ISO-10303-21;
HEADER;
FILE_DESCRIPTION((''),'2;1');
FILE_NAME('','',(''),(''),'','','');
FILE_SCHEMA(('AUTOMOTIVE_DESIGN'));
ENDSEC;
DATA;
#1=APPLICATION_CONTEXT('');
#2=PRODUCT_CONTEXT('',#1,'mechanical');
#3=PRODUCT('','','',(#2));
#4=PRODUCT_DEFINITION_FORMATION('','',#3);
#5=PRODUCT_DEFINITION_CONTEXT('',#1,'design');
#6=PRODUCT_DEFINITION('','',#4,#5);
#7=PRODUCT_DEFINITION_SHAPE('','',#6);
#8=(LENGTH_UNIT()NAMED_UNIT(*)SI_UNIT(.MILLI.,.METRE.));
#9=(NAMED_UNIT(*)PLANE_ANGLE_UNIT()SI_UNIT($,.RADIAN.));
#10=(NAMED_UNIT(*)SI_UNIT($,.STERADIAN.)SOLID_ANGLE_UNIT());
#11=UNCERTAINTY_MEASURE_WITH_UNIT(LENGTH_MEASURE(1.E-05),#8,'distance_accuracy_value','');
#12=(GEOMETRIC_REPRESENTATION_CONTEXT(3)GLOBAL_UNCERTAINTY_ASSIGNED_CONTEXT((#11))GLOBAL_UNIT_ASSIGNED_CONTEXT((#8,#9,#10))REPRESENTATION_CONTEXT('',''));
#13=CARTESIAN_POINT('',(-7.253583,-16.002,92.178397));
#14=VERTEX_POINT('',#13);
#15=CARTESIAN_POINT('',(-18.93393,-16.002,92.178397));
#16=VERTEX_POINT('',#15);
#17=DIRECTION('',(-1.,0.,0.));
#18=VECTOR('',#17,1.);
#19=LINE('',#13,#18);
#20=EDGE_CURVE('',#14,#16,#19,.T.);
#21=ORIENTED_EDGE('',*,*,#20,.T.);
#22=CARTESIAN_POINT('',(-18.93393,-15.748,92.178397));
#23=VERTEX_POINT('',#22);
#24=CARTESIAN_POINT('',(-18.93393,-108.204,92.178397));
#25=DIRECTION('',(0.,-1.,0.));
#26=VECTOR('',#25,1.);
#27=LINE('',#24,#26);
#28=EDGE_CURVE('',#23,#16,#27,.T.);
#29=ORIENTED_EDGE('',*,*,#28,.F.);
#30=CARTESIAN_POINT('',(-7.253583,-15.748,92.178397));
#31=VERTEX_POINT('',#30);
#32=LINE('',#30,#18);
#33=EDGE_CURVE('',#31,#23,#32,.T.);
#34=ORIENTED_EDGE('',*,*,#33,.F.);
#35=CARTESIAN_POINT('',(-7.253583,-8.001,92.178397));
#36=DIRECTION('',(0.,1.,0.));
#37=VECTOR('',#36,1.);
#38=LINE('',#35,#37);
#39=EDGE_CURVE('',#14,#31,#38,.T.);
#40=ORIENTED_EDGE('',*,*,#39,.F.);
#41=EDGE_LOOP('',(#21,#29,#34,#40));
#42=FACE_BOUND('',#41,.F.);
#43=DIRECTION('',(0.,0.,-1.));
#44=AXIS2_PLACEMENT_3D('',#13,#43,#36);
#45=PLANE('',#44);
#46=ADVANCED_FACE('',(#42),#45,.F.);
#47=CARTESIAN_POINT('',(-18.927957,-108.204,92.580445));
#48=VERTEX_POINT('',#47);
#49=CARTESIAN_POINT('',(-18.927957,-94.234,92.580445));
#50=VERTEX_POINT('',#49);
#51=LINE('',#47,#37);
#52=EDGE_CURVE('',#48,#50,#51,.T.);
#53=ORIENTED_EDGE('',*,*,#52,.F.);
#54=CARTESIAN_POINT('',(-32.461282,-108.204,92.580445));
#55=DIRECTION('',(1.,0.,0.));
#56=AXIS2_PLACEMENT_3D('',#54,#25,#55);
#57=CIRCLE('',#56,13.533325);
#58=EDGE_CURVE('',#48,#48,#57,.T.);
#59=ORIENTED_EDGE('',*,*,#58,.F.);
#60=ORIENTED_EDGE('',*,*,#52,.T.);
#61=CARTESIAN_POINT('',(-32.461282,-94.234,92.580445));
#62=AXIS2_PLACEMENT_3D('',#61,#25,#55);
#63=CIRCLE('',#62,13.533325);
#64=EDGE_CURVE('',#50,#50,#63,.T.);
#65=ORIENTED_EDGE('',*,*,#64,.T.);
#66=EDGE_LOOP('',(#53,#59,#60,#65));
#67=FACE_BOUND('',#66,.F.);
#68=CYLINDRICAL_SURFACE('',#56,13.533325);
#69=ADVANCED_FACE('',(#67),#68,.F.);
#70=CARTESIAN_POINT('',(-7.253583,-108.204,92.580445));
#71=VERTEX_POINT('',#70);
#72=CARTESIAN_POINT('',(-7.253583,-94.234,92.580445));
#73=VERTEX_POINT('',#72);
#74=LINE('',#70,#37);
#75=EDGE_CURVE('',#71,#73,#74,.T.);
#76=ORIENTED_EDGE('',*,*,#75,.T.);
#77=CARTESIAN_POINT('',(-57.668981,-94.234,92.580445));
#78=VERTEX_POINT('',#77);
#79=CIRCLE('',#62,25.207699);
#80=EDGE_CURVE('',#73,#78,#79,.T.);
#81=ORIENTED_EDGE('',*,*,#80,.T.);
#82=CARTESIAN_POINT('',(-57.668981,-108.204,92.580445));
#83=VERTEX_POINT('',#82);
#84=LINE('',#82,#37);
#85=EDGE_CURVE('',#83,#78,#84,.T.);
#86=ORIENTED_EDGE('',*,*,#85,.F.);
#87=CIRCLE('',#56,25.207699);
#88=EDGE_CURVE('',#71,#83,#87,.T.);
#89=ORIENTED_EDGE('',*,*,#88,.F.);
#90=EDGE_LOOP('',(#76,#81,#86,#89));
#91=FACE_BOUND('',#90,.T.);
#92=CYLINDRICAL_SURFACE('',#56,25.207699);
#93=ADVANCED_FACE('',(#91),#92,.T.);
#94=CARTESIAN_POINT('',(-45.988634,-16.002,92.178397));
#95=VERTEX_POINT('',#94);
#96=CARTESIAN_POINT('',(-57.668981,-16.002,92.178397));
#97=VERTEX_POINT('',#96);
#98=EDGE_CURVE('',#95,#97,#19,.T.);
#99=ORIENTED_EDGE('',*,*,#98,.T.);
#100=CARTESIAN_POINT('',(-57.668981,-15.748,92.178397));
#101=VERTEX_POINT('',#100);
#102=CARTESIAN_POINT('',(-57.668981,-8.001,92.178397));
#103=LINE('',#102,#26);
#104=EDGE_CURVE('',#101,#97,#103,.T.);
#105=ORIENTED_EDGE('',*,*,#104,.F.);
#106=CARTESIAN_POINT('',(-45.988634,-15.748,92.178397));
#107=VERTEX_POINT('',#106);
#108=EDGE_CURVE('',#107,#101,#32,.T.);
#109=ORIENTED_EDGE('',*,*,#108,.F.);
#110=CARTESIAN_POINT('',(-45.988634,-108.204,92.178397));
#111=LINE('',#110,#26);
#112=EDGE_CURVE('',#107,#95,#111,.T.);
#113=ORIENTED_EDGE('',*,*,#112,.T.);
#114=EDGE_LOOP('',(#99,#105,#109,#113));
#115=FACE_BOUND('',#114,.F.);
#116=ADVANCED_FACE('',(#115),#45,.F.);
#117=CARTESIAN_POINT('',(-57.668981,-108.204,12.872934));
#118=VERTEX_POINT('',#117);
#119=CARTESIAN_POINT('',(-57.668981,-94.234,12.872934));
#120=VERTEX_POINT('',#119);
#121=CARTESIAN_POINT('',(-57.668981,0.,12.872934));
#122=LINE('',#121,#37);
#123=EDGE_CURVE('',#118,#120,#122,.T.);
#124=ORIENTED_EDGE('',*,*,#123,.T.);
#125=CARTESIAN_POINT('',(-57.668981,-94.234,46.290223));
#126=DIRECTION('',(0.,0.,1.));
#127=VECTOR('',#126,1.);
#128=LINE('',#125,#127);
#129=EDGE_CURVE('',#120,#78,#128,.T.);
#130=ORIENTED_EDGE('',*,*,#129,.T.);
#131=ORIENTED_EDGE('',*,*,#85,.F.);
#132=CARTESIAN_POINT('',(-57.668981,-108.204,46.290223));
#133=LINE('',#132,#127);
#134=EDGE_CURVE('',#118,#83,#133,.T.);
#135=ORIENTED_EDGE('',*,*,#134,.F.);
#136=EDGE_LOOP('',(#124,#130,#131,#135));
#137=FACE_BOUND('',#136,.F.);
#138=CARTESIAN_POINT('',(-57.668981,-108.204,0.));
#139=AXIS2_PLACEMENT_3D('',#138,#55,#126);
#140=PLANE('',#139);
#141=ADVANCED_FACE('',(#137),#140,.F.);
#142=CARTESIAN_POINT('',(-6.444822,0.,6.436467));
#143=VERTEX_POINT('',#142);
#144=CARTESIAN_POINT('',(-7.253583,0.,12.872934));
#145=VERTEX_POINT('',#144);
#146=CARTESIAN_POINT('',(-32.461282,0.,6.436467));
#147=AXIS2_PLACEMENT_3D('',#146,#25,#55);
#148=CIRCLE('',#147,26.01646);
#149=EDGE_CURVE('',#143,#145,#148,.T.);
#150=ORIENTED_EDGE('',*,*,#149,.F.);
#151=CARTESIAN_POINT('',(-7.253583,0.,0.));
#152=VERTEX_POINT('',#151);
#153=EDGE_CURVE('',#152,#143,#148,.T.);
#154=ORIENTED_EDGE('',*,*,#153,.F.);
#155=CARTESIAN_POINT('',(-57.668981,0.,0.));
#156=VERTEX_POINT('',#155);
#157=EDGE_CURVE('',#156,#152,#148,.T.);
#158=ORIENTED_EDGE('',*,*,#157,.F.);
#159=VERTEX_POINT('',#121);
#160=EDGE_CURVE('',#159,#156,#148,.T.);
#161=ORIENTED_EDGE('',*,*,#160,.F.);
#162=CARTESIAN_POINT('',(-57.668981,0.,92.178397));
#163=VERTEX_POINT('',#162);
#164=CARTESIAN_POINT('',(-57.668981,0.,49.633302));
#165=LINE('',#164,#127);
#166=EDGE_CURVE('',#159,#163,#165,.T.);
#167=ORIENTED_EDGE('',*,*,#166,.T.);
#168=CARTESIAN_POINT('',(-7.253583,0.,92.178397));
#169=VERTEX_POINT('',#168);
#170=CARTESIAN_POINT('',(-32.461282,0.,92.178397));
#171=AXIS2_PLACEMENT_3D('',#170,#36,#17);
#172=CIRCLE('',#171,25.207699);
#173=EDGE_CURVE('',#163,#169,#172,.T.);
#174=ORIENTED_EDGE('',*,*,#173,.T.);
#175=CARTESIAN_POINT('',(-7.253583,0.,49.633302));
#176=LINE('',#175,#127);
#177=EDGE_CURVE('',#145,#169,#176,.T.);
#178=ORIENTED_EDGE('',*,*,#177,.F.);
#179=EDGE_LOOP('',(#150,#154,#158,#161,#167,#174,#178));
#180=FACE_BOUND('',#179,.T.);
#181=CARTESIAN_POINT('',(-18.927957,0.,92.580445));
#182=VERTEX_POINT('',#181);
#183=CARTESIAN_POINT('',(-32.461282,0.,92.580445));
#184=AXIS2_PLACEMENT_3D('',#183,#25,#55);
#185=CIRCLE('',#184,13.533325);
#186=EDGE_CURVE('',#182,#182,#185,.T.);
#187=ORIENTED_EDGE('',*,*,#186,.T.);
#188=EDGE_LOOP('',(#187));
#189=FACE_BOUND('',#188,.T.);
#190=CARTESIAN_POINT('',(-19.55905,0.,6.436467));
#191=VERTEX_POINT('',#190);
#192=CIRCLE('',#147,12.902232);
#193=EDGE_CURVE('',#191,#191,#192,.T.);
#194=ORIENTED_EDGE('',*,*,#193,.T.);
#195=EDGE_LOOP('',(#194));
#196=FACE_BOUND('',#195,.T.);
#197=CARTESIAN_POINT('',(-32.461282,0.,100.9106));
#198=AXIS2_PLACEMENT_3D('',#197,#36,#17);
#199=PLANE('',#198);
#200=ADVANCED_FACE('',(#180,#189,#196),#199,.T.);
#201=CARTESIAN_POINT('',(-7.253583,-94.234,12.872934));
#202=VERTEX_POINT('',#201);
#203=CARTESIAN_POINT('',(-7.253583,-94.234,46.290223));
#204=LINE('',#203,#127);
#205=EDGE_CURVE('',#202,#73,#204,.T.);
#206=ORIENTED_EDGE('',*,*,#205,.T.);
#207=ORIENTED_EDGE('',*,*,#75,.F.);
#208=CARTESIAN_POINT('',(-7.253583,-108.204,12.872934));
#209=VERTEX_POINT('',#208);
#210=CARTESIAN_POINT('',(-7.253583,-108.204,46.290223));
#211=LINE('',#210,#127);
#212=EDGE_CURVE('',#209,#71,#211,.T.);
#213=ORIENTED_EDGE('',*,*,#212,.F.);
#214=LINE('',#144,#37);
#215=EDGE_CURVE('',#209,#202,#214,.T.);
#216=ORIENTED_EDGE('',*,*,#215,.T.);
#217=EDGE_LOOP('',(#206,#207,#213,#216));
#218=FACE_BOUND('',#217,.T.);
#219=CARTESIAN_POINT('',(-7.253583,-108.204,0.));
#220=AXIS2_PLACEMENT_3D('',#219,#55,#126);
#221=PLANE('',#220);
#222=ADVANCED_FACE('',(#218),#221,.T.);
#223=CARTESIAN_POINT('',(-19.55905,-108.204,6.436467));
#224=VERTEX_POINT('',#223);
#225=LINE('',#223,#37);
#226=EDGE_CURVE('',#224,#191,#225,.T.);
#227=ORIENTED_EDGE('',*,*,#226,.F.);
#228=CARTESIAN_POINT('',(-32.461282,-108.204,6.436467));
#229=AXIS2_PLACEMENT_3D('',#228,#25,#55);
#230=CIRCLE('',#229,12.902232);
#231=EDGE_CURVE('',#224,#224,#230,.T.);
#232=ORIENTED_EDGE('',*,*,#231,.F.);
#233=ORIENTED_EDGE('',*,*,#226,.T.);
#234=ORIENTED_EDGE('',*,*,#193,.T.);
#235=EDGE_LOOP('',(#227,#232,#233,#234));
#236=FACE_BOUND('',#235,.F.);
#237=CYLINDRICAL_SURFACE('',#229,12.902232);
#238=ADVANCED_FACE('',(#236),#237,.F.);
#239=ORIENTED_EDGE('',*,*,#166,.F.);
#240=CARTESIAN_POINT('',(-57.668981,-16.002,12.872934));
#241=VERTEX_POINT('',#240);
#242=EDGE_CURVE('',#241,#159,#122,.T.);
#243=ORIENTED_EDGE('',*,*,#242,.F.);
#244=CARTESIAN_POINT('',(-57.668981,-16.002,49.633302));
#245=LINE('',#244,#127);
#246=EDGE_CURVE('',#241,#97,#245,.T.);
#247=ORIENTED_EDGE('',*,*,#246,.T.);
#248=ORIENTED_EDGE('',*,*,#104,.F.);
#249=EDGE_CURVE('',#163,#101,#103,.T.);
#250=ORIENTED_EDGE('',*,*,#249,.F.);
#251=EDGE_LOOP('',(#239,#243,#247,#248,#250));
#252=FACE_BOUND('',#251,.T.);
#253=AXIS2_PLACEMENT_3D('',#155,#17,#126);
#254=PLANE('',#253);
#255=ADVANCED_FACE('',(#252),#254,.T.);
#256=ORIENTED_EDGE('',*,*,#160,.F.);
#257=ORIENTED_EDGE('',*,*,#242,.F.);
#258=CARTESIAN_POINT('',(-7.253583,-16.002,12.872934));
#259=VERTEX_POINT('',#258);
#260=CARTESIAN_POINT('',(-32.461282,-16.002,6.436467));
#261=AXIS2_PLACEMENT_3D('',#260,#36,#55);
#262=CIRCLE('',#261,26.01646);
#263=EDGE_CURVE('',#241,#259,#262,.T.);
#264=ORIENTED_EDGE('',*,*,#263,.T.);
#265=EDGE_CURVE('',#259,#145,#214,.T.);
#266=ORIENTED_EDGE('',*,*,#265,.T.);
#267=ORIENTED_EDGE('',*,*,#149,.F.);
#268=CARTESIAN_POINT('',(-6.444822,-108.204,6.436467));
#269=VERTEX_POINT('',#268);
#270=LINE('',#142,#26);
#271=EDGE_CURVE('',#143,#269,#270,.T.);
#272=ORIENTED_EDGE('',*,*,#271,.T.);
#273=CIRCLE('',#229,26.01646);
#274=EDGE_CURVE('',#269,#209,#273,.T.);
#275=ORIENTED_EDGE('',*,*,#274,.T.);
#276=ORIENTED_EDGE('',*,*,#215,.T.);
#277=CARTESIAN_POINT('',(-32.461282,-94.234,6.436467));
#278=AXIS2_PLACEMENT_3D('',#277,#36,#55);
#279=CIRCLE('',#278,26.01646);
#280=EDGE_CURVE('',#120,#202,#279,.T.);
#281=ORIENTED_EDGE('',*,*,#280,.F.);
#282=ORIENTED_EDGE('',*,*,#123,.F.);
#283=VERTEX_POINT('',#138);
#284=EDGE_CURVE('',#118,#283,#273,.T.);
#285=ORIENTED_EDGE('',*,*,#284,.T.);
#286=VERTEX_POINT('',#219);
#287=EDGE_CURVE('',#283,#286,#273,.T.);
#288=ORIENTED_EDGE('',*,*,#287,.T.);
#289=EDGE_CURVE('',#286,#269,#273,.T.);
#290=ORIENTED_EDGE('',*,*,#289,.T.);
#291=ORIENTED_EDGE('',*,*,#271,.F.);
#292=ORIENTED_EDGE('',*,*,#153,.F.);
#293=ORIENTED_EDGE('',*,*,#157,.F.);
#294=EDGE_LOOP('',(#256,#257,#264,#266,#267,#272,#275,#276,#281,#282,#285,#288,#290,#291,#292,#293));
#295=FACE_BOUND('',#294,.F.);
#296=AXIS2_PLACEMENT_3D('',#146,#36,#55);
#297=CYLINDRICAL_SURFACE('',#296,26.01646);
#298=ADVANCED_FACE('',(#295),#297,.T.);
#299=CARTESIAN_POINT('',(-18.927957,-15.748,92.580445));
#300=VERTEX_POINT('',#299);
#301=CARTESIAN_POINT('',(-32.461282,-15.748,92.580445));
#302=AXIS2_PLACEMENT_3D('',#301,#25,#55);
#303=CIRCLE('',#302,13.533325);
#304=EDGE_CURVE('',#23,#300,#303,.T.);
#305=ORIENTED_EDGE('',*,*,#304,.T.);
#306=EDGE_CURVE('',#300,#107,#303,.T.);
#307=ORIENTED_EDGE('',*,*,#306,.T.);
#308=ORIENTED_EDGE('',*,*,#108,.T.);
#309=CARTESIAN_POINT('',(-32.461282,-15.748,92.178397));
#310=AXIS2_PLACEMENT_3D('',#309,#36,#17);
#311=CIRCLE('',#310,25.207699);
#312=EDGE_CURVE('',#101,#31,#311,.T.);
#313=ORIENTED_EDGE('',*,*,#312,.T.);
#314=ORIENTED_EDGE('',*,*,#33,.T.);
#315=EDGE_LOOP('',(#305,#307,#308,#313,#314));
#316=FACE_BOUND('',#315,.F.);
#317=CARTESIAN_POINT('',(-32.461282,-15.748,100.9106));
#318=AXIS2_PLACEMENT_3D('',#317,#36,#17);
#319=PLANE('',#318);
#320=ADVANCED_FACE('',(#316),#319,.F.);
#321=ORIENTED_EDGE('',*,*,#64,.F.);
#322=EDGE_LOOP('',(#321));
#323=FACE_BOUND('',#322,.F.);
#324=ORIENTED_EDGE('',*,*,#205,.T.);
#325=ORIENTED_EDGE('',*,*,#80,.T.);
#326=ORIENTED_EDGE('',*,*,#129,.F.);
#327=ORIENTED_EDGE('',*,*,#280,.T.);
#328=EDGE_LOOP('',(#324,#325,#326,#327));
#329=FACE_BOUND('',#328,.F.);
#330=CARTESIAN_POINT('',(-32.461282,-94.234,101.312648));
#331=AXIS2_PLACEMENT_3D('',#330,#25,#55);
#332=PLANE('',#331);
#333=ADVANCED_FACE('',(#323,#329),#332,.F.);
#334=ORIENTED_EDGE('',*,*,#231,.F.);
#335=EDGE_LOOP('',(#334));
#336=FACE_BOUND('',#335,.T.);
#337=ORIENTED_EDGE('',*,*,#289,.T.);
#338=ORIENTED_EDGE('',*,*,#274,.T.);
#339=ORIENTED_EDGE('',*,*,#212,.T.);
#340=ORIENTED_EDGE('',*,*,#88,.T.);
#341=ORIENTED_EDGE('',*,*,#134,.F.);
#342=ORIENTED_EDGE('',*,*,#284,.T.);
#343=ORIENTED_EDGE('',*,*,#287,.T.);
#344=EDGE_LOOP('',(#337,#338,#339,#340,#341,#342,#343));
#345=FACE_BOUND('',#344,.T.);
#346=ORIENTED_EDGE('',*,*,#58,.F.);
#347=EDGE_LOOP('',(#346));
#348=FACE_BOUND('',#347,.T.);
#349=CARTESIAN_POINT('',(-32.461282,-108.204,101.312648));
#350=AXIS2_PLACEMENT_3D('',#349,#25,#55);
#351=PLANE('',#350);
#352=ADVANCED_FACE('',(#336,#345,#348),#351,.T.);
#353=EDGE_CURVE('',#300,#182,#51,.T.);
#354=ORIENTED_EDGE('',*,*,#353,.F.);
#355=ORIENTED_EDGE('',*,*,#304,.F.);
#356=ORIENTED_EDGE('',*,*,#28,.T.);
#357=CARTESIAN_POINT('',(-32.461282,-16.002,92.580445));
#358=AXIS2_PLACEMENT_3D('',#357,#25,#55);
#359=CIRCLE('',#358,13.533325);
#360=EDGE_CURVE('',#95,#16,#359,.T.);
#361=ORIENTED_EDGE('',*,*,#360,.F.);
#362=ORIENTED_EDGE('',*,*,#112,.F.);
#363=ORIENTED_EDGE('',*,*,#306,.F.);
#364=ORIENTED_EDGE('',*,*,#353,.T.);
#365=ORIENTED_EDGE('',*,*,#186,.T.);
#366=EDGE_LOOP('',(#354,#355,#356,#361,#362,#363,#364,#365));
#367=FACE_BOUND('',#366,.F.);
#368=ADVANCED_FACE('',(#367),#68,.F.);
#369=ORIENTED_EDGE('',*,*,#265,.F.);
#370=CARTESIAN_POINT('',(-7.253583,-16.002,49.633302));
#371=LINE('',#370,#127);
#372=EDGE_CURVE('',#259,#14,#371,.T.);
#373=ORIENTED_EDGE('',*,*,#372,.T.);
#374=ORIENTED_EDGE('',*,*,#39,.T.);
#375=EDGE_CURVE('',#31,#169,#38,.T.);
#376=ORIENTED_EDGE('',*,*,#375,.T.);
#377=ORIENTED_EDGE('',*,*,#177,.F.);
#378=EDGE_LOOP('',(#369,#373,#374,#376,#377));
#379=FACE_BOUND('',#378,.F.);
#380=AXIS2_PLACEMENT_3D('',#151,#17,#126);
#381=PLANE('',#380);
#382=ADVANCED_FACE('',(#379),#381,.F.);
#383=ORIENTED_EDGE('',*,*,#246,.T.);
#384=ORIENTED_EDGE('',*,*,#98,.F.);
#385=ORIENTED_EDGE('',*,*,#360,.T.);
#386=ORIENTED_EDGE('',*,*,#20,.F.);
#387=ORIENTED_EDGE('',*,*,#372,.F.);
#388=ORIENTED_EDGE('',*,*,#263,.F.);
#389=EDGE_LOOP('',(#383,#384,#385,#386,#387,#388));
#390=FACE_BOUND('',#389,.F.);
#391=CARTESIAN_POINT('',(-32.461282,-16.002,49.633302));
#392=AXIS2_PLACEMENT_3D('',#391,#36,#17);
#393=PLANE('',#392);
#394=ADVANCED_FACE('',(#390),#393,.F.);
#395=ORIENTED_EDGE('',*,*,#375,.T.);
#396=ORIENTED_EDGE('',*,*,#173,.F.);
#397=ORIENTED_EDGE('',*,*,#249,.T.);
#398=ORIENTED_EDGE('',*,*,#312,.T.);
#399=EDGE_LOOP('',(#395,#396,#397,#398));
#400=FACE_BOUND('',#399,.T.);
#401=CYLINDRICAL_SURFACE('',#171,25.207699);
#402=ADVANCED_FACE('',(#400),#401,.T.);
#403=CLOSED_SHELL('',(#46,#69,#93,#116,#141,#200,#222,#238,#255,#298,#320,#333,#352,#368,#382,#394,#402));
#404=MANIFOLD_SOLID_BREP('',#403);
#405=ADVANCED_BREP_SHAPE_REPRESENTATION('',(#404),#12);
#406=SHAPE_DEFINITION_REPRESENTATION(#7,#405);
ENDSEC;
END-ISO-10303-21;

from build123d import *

# Parameters (mm, degrees)
F0_R      = 26.0164599328
F1_DEPTH  = 108.204
F2_W      = 50.4153975605
F2_H      = 92.5804451108
F3_DEPTH  = 13.97
F4_W      = 50.4153975605
F4_H      = 99.2666035891
F5_DEPTH  = 16.002
F6_W      = 16.002
F6_H      = 7.0882067084
F7_DEPTH  = 64.008
F8_R      = 12.9022316947
F9_DEPTH  = 152.146
F11_DEPTH = 15.748
F13_DEPTH = 13.97
F14_R     = 13.5333252063
F15_DEPTH = 238.252


with BuildPart() as f1:
    # F0 (on Front) → F1 (new body)
    with BuildSketch(Plane.XZ):
        with Locations((-32.4612818658, 6.4364671707)):
            Circle(F0_R)
    extrude(amount=F1_DEPTH)

    # F2 (on face) → F3 (join)
    with BuildSketch(Plane.XZ.offset(108.204)):
        with Locations((-32.4612818658, 46.2902225554)):
            Rectangle(F2_W, F2_H)
    extrude(amount=-F3_DEPTH)

    # F4 (on face) → F5 (join)
    with BuildSketch(Plane(origin=(0, 0, 0), x_dir=(-1, 0, 0), z_dir=(0, 1, 0))):
        with Locations((32.4612818658, 49.6333017945)):
            Rectangle(F4_W, F4_H)
    extrude(amount=-F5_DEPTH)

    # F6 (on face) → F7 (cut)
    with BuildSketch(Plane.YZ.offset(-7.2535830856)):
        with Locations((-8.001, 95.7225002348)):
            Rectangle(F6_W, F6_H)
    extrude(amount=-F7_DEPTH, mode=Mode.SUBTRACT)

    # F8 (on face) → F9 (cut)
    with BuildSketch(Plane.XZ.offset(108.204)):
        with Locations((-32.4612818658, 6.4364671707)):
            Circle(F8_R)
    extrude(amount=-F9_DEPTH, mode=Mode.SUBTRACT)

    # F10 (on face) → F11 (join)
    with BuildSketch(Plane(origin=(0, 0, 0), x_dir=(-1, 0, 0), z_dir=(0, 1, 0))):
        with BuildLine():
            Line((7.2535830856, 92.1783968806), (57.6689806461, 92.1783968806))
            ThreePointArc((57.6689806461, 92.1783968806), (32.4612818658, 117.3860956609), (7.2535830856, 92.1783968806))
        make_face()
    extrude(amount=-F11_DEPTH)

    # F12 (on face) → F13 (join)
    with BuildSketch(Plane.XZ.offset(108.204)):
        with BuildLine():
            Line((-57.6689806461, 92.5804451108), (-7.2535830856, 92.5804451108))
            ThreePointArc((-7.2535830856, 92.5804451108), (-32.4612818658, 117.7881438911), (-57.6689806461, 92.5804451108))
        make_face()
    extrude(amount=-F13_DEPTH)

    # F14 (on face) → F15 (cut)
    with BuildSketch(Plane.XZ.offset(108.204)):
        with Locations((-32.4612818658, 92.5804451108)):
            Circle(F14_R)
    extrude(amount=-F15_DEPTH, mode=Mode.SUBTRACT)


solid = f1.part
